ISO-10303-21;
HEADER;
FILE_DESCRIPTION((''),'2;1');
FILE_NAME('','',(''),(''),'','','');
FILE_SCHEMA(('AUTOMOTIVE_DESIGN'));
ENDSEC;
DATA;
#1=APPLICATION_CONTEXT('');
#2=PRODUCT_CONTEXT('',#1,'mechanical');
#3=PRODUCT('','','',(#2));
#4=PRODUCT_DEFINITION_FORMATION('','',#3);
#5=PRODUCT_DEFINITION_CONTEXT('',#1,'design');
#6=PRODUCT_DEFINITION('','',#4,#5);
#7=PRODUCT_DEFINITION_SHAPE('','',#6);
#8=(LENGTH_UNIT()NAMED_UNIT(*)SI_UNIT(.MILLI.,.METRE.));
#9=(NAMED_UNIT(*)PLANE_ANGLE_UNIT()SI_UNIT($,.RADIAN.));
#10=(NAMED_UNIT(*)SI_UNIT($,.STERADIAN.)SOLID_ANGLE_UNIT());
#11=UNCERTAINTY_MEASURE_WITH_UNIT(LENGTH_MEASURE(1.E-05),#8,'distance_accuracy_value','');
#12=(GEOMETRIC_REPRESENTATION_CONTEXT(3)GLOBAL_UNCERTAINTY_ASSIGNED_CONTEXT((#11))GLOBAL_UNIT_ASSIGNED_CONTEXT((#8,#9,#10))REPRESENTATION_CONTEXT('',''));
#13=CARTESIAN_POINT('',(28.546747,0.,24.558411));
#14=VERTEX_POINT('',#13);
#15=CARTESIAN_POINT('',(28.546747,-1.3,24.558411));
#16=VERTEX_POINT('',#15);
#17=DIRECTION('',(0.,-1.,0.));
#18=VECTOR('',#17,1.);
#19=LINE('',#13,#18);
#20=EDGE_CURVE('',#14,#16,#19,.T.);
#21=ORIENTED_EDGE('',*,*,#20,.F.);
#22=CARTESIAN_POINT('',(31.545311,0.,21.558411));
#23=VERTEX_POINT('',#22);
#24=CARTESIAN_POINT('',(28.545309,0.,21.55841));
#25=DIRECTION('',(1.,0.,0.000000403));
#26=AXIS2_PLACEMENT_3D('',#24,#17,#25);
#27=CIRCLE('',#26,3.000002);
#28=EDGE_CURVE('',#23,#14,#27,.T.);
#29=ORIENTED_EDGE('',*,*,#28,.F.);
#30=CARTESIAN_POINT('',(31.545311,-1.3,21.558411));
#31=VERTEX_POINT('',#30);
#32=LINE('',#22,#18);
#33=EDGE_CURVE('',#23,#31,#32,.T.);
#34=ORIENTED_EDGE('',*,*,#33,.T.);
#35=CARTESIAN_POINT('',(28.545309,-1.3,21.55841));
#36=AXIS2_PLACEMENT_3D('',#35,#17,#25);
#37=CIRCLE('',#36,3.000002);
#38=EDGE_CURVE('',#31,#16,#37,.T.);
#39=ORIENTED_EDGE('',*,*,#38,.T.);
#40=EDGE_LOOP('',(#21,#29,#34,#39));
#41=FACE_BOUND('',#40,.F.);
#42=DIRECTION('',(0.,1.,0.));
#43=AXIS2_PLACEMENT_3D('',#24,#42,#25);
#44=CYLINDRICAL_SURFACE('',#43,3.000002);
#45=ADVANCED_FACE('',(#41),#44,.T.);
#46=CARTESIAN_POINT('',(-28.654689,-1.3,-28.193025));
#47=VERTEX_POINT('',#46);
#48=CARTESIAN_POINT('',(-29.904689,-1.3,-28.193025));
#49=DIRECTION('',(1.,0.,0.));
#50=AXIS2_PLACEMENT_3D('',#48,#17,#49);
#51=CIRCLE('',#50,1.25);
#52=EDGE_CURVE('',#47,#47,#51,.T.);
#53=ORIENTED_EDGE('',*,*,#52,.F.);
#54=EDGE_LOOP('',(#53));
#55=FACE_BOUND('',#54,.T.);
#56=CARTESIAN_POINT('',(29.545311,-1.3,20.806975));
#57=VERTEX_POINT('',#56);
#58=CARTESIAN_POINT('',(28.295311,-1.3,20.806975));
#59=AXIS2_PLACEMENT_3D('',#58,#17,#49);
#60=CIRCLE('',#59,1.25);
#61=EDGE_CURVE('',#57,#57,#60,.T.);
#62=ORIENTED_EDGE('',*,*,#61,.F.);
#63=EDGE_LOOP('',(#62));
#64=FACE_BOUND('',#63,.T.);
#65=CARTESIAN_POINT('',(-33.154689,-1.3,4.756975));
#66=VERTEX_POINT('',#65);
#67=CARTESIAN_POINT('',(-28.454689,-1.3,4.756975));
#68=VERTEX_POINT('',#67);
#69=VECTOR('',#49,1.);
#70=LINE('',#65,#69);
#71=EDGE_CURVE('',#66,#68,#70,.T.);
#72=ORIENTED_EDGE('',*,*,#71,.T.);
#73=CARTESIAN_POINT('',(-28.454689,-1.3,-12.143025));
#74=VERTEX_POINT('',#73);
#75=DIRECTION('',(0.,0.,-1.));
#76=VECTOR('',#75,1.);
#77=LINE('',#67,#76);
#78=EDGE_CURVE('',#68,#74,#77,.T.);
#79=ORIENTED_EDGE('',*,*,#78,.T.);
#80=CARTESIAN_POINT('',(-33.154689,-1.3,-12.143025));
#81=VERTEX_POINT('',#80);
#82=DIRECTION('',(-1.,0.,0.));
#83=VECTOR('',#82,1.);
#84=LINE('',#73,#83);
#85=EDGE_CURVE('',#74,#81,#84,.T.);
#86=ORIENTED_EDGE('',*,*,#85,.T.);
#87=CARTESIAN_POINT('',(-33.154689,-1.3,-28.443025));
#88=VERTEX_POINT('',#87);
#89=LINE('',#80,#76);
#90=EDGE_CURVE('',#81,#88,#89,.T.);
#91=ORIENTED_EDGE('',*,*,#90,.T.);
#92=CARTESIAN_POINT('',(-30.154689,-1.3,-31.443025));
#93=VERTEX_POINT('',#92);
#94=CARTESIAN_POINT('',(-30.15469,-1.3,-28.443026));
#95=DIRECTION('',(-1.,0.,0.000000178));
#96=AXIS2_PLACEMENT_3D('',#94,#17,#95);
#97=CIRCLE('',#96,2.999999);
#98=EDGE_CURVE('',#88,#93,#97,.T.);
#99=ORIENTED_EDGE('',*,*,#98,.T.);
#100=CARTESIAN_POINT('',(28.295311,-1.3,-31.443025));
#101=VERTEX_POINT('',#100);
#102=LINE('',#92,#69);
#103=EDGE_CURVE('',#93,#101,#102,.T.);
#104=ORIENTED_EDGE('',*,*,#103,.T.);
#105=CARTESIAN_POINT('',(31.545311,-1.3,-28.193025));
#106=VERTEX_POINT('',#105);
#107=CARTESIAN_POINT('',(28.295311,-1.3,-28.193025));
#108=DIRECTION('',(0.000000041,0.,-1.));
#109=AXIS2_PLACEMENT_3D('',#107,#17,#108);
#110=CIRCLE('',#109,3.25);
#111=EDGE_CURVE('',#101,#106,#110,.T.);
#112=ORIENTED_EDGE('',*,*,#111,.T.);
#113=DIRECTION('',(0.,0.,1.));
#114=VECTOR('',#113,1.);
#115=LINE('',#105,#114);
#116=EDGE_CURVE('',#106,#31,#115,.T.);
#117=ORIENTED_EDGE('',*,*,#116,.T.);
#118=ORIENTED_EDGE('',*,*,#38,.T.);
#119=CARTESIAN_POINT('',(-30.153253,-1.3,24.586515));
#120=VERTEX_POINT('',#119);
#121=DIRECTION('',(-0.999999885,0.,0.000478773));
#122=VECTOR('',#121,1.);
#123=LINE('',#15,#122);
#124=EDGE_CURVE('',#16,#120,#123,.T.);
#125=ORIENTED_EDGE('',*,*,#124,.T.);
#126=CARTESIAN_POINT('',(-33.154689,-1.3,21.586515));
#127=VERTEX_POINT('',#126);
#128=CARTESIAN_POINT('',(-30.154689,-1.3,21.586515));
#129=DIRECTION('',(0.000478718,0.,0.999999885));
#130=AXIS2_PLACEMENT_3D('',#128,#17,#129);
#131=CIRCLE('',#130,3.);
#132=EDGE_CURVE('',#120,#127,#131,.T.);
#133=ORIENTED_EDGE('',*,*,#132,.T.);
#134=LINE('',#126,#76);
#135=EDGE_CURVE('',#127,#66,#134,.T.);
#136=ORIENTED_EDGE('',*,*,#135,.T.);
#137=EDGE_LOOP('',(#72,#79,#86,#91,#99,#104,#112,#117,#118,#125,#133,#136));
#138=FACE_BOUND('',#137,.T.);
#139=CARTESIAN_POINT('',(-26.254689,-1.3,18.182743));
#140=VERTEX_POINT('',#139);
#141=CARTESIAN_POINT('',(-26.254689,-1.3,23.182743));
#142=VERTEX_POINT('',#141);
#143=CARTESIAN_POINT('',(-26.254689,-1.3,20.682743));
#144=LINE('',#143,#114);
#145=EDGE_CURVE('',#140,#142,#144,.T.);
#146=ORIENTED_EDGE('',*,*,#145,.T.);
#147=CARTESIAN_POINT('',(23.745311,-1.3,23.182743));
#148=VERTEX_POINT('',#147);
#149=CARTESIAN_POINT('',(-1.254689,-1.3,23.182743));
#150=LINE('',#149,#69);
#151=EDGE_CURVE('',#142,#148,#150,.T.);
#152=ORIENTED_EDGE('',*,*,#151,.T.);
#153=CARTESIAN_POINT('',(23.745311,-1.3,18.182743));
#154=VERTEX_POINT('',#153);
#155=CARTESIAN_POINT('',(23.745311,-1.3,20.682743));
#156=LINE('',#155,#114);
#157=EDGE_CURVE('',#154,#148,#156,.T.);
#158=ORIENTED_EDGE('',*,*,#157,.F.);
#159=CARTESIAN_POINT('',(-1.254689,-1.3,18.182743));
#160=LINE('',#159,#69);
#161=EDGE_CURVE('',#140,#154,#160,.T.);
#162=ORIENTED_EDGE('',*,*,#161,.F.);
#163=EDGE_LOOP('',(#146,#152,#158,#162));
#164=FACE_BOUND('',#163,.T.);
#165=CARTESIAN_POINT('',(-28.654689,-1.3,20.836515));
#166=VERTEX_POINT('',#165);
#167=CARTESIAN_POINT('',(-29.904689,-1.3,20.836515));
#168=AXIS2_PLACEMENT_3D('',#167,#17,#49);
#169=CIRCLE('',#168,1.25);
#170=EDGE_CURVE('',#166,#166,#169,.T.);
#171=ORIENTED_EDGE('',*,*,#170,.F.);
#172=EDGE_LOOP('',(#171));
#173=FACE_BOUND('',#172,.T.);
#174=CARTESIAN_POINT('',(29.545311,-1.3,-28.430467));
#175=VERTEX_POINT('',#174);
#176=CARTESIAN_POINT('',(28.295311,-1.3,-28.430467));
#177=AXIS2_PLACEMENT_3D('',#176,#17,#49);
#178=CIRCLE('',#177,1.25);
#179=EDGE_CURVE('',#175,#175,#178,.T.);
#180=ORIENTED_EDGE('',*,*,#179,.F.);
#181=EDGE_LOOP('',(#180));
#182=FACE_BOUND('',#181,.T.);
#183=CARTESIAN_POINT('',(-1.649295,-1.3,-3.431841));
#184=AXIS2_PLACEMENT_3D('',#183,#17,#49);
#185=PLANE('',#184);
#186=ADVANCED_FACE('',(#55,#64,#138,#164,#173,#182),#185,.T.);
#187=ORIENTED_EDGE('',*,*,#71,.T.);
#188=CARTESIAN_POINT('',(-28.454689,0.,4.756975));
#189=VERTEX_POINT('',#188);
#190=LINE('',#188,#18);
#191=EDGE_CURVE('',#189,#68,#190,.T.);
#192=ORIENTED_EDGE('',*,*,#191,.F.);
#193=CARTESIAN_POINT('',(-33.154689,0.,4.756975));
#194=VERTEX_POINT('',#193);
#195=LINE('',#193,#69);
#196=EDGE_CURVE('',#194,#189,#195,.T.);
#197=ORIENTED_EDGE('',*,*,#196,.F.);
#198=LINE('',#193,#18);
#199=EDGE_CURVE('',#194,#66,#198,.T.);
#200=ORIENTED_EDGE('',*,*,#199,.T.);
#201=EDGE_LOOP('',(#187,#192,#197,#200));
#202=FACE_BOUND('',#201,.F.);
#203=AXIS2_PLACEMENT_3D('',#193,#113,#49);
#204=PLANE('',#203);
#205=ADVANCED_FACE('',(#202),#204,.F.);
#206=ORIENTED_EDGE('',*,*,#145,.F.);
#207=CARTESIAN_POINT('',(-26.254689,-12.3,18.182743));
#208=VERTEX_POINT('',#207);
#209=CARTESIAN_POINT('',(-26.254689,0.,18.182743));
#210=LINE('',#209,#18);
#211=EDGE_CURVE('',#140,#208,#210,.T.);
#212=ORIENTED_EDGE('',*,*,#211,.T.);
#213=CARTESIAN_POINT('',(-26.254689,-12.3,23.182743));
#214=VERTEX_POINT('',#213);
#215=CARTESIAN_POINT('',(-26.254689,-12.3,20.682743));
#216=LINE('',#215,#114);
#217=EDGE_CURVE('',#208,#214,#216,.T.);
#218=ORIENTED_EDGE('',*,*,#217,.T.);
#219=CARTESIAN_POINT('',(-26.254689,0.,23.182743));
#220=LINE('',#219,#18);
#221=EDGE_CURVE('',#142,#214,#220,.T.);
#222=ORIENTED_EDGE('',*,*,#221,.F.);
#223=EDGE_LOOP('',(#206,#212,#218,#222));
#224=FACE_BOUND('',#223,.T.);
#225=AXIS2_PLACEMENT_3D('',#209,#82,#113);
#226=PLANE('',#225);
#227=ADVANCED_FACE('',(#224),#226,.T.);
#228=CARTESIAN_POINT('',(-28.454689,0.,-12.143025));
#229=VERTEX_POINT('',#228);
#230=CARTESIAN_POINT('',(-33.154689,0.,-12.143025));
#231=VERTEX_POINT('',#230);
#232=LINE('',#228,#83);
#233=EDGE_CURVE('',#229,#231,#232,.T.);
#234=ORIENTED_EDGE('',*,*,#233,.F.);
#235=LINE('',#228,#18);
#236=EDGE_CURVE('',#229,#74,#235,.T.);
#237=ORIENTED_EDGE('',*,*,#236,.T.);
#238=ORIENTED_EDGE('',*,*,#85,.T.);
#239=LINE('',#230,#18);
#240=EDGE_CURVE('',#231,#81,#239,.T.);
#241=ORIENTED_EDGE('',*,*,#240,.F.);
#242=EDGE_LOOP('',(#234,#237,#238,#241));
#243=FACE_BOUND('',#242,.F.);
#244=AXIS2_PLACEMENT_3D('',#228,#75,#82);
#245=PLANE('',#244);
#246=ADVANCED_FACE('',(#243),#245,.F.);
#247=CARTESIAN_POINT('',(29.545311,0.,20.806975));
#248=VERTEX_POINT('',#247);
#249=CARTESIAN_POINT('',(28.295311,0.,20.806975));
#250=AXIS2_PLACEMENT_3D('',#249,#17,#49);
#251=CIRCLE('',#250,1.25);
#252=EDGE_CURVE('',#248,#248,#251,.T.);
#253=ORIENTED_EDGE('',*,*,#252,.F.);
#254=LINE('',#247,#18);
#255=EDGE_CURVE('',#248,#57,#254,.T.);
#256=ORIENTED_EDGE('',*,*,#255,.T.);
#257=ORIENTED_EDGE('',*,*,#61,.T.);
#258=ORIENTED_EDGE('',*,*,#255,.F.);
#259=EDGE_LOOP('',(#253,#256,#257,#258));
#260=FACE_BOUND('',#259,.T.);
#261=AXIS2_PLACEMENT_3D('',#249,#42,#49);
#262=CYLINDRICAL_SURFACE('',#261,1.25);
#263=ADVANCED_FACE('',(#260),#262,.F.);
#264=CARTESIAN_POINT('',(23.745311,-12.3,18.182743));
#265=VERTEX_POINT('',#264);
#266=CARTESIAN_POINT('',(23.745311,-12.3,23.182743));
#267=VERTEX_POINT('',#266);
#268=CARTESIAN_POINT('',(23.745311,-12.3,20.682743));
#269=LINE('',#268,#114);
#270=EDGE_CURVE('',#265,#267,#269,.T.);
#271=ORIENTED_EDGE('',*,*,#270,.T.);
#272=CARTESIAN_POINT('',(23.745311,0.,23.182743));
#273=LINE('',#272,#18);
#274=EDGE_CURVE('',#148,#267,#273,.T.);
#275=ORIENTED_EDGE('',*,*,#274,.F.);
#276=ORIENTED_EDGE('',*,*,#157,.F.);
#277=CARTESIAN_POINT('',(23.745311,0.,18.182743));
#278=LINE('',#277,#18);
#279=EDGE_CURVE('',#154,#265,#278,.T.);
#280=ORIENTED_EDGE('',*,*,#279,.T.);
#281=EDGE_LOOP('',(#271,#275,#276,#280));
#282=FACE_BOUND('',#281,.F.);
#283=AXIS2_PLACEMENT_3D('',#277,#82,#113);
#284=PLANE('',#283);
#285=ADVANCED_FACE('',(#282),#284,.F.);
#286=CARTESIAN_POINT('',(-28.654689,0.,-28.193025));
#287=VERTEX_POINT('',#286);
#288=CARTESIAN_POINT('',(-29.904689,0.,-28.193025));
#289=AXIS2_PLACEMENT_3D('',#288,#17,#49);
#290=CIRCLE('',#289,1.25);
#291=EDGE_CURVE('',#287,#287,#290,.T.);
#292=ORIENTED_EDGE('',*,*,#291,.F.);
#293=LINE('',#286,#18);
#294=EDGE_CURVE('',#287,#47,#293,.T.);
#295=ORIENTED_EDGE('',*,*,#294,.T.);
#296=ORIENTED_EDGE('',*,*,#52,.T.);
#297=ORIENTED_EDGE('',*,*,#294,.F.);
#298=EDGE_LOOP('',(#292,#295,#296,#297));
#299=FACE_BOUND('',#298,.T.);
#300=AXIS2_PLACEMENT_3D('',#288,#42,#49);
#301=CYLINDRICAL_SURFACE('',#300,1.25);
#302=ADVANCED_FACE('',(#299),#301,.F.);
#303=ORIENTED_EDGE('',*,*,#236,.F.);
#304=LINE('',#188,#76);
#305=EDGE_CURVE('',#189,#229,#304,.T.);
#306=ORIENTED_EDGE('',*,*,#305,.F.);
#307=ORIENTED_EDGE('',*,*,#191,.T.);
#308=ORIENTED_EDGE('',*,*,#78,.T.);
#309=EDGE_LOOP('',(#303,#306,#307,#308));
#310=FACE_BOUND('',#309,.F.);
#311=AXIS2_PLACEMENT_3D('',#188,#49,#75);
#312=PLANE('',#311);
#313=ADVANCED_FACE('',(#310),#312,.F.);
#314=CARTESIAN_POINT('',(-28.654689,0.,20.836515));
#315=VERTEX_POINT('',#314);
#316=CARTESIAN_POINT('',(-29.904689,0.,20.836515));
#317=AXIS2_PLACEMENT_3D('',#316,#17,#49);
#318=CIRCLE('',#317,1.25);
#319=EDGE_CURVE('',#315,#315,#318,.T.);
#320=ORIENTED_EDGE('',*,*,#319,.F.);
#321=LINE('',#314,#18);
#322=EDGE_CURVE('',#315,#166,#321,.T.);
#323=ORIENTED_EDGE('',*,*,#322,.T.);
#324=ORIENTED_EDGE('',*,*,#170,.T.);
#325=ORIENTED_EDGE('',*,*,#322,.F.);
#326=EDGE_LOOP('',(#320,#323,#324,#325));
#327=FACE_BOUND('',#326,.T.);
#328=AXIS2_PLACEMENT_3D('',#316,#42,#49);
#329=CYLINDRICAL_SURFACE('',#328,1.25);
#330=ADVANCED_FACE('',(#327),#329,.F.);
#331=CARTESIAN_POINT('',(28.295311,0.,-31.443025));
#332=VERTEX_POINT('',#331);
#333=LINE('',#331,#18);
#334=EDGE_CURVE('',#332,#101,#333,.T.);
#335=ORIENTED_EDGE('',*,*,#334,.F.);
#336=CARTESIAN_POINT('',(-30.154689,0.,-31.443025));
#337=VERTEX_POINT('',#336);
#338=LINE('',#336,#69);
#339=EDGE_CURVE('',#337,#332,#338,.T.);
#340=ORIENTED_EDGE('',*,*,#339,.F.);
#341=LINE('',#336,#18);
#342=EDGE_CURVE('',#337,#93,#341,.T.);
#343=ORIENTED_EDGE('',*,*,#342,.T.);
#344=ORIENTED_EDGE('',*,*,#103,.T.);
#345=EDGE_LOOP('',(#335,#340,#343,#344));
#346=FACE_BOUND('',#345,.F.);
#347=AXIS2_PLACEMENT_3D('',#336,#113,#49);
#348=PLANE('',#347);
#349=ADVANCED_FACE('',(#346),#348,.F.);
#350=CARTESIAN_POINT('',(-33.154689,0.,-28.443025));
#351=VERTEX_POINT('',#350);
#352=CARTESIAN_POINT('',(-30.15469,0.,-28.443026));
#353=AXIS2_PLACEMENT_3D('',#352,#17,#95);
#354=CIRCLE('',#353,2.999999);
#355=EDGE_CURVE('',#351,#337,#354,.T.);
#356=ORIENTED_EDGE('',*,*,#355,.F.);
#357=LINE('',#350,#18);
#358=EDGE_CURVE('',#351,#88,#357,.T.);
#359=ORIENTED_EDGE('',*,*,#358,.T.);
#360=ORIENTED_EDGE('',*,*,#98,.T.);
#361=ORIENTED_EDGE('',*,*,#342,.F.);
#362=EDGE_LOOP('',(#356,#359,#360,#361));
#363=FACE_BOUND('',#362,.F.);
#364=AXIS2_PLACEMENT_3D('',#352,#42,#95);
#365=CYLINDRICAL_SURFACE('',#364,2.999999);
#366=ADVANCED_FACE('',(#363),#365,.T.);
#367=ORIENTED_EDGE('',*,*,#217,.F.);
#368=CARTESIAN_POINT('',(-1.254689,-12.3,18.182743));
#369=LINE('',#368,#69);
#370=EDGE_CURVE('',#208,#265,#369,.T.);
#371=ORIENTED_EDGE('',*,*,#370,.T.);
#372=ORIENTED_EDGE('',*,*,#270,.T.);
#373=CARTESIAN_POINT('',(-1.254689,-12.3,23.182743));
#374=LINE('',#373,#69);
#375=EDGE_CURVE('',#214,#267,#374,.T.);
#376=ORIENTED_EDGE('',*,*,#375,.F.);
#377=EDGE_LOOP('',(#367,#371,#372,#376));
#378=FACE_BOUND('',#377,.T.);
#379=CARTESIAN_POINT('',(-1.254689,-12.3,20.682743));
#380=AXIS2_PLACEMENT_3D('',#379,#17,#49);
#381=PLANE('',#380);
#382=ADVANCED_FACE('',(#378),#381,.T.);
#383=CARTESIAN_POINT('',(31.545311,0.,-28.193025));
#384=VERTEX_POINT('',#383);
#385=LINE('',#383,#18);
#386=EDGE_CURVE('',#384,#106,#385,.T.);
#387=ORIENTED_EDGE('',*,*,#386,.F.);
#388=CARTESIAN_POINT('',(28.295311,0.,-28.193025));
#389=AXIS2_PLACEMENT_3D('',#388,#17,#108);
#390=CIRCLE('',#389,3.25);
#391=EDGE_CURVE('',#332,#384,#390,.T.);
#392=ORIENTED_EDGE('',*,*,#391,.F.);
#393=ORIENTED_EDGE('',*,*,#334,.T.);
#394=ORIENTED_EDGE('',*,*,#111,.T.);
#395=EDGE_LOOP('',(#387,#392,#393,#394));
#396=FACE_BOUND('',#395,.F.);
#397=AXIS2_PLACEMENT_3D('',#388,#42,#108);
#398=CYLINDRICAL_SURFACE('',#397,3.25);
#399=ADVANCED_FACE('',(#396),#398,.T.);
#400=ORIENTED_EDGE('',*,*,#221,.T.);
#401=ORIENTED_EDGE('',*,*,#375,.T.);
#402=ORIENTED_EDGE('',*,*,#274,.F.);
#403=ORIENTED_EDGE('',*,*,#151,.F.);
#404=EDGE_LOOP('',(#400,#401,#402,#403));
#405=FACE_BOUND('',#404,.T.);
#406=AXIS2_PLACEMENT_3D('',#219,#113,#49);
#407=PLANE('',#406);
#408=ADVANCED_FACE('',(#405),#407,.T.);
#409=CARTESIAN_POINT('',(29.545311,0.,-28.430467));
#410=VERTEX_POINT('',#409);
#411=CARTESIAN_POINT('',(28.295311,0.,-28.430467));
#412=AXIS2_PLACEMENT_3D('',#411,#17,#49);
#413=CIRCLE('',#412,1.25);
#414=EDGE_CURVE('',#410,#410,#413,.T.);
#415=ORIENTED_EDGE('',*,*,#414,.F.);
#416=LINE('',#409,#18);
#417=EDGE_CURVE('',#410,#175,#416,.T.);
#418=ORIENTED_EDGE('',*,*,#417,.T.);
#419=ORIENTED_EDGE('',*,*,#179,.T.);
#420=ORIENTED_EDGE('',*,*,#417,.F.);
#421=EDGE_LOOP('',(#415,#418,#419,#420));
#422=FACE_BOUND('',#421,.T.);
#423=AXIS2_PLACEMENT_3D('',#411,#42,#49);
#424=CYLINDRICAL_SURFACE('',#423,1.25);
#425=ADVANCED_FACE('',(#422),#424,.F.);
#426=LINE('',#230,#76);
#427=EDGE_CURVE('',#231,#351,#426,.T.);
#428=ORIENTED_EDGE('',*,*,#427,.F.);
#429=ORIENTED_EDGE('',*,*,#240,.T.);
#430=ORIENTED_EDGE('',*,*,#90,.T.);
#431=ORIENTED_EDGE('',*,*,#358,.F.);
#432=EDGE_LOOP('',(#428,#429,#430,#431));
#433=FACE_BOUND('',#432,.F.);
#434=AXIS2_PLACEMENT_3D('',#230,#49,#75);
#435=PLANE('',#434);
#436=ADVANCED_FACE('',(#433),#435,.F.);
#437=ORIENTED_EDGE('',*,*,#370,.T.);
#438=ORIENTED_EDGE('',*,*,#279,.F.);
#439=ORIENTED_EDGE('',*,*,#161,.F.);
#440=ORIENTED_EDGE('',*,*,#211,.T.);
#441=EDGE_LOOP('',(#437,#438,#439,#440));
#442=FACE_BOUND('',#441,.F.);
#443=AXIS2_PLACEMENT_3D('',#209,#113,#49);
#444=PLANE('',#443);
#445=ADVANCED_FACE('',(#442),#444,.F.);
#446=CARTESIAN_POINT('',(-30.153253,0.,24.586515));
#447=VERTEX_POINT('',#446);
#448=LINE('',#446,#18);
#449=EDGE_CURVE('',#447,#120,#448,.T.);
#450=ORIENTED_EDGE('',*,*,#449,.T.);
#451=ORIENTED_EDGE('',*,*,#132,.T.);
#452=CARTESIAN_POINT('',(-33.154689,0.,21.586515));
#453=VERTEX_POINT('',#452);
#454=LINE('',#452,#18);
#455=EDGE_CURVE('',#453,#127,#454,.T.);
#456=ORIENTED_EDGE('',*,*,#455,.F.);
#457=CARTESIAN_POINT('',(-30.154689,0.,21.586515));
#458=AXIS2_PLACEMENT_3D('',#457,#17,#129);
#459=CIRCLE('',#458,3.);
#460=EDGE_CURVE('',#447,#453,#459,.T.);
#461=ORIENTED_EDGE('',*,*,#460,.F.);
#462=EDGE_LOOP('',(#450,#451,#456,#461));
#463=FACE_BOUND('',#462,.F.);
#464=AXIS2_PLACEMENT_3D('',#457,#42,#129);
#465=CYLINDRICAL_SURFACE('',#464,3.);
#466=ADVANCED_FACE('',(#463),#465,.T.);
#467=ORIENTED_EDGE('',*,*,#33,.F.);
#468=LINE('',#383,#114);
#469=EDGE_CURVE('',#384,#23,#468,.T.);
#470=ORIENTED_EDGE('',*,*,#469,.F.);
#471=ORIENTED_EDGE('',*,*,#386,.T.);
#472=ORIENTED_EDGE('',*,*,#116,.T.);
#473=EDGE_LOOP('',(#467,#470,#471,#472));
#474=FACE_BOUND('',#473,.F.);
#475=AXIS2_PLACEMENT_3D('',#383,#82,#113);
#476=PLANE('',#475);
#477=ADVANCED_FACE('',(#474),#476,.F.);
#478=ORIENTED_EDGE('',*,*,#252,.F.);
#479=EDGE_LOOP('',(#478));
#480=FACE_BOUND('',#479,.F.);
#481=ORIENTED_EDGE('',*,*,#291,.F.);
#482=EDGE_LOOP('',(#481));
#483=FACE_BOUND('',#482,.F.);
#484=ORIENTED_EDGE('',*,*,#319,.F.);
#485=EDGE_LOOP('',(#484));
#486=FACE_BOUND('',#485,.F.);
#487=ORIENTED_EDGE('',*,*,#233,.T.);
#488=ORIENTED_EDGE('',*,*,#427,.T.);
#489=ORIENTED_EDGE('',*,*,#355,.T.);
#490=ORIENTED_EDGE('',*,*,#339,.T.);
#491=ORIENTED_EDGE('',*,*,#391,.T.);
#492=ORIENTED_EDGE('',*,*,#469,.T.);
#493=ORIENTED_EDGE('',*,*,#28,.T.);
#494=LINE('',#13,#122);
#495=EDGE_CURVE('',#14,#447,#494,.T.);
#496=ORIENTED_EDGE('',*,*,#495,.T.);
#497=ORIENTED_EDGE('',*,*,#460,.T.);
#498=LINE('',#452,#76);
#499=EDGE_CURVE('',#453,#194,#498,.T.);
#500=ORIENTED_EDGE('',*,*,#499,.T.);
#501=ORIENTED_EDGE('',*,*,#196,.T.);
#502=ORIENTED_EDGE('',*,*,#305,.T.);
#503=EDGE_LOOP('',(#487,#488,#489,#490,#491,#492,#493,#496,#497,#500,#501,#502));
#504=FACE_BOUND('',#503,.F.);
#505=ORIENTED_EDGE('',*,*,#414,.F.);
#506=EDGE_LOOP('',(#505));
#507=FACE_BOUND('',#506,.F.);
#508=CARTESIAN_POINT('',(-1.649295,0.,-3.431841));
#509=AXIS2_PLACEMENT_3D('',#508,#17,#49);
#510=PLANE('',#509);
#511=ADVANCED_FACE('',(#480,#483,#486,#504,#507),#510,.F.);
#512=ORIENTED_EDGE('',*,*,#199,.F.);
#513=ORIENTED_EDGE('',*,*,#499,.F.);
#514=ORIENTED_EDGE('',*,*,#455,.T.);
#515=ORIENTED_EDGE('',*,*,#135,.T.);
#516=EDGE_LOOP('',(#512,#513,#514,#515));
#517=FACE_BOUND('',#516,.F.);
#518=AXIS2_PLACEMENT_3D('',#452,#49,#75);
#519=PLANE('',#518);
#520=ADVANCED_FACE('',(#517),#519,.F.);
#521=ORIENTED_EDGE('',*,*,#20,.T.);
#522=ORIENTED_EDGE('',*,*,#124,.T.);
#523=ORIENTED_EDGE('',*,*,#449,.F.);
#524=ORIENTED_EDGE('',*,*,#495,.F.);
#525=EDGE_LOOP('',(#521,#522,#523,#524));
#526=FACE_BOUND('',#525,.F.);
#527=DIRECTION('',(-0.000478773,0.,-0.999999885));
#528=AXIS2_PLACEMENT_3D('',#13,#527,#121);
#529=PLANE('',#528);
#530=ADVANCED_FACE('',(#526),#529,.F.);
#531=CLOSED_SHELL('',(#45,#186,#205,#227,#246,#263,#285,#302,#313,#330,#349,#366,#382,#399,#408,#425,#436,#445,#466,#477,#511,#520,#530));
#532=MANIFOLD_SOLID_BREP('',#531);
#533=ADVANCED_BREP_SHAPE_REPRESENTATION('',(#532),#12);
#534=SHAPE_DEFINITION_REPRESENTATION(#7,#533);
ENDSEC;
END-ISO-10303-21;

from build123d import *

# Parameters (mm, degrees)
F0_R     = 1.25
F0_W     = 50
F0_H     = 5
F1_DEPTH = 1.3
F2_DEPTH = 12.3


with BuildPart() as f1:
    # F0 (on Front) → F1 (new body)
    with BuildSketch(Plane.XZ):
        with BuildLine():
            Line((31.545311, 20.806975), (31.545311, 21.558411))
            ThreePointArc((31.545311, 21.558411), (30.667139, 23.679223), (28.546747, 24.558411))
            Line((28.546747, 24.558411), (-30.153253, 24.586515))
            ThreePointArc((-30.153253, 24.586515), (-32.275502, 23.708343), (-33.154689, 21.586515))
            Line((-33.154689, 21.586515), (-33.154689, 4.756975))
            Line((-33.154689, 4.756975), (-28.454689, 4.756975))
            Line((-28.454689, 4.756975), (-28.454689, -12.143025))
            Line((-28.454689, -12.143025), (-33.154689, -12.143025))
            Line((-33.154689, -12.143025), (-33.154689, -28.443025))
            ThreePointArc((-33.154689, -28.443025), (-32.27601, -30.564345), (-30.154689, -31.443025))
            Line((-30.154689, -31.443025), (28.295311, -31.443025))
            ThreePointArc((28.295311, -31.443025), (30.593408, -30.491122), (31.545311, -28.193025))
            Line((31.545311, -28.193025), (31.545311, 20.806975))
        make_face()
        with Locations((-29.904689, -28.193025)):
            Circle(F0_R, mode=Mode.SUBTRACT)
        with Locations((28.295311, -28.430467)):
            Circle(F0_R, mode=Mode.SUBTRACT)
        with Locations((-29.904689, 20.836515)):
            Circle(F0_R, mode=Mode.SUBTRACT)
        with Locations((-1.254689, 20.682743)):
            Rectangle(F0_W, F0_H, mode=Mode.SUBTRACT)
        with Locations((28.295311, 20.806975)):
            Circle(F0_R, mode=Mode.SUBTRACT)
    extrude(amount=F1_DEPTH)

    # F0 (on Front) → F2 (join)
    with BuildSketch(Plane.XZ):
        with Locations((-1.254689, 20.682743)):
            Rectangle(F0_W, F0_H)
    extrude(amount=F2_DEPTH)


solid = f1.part
